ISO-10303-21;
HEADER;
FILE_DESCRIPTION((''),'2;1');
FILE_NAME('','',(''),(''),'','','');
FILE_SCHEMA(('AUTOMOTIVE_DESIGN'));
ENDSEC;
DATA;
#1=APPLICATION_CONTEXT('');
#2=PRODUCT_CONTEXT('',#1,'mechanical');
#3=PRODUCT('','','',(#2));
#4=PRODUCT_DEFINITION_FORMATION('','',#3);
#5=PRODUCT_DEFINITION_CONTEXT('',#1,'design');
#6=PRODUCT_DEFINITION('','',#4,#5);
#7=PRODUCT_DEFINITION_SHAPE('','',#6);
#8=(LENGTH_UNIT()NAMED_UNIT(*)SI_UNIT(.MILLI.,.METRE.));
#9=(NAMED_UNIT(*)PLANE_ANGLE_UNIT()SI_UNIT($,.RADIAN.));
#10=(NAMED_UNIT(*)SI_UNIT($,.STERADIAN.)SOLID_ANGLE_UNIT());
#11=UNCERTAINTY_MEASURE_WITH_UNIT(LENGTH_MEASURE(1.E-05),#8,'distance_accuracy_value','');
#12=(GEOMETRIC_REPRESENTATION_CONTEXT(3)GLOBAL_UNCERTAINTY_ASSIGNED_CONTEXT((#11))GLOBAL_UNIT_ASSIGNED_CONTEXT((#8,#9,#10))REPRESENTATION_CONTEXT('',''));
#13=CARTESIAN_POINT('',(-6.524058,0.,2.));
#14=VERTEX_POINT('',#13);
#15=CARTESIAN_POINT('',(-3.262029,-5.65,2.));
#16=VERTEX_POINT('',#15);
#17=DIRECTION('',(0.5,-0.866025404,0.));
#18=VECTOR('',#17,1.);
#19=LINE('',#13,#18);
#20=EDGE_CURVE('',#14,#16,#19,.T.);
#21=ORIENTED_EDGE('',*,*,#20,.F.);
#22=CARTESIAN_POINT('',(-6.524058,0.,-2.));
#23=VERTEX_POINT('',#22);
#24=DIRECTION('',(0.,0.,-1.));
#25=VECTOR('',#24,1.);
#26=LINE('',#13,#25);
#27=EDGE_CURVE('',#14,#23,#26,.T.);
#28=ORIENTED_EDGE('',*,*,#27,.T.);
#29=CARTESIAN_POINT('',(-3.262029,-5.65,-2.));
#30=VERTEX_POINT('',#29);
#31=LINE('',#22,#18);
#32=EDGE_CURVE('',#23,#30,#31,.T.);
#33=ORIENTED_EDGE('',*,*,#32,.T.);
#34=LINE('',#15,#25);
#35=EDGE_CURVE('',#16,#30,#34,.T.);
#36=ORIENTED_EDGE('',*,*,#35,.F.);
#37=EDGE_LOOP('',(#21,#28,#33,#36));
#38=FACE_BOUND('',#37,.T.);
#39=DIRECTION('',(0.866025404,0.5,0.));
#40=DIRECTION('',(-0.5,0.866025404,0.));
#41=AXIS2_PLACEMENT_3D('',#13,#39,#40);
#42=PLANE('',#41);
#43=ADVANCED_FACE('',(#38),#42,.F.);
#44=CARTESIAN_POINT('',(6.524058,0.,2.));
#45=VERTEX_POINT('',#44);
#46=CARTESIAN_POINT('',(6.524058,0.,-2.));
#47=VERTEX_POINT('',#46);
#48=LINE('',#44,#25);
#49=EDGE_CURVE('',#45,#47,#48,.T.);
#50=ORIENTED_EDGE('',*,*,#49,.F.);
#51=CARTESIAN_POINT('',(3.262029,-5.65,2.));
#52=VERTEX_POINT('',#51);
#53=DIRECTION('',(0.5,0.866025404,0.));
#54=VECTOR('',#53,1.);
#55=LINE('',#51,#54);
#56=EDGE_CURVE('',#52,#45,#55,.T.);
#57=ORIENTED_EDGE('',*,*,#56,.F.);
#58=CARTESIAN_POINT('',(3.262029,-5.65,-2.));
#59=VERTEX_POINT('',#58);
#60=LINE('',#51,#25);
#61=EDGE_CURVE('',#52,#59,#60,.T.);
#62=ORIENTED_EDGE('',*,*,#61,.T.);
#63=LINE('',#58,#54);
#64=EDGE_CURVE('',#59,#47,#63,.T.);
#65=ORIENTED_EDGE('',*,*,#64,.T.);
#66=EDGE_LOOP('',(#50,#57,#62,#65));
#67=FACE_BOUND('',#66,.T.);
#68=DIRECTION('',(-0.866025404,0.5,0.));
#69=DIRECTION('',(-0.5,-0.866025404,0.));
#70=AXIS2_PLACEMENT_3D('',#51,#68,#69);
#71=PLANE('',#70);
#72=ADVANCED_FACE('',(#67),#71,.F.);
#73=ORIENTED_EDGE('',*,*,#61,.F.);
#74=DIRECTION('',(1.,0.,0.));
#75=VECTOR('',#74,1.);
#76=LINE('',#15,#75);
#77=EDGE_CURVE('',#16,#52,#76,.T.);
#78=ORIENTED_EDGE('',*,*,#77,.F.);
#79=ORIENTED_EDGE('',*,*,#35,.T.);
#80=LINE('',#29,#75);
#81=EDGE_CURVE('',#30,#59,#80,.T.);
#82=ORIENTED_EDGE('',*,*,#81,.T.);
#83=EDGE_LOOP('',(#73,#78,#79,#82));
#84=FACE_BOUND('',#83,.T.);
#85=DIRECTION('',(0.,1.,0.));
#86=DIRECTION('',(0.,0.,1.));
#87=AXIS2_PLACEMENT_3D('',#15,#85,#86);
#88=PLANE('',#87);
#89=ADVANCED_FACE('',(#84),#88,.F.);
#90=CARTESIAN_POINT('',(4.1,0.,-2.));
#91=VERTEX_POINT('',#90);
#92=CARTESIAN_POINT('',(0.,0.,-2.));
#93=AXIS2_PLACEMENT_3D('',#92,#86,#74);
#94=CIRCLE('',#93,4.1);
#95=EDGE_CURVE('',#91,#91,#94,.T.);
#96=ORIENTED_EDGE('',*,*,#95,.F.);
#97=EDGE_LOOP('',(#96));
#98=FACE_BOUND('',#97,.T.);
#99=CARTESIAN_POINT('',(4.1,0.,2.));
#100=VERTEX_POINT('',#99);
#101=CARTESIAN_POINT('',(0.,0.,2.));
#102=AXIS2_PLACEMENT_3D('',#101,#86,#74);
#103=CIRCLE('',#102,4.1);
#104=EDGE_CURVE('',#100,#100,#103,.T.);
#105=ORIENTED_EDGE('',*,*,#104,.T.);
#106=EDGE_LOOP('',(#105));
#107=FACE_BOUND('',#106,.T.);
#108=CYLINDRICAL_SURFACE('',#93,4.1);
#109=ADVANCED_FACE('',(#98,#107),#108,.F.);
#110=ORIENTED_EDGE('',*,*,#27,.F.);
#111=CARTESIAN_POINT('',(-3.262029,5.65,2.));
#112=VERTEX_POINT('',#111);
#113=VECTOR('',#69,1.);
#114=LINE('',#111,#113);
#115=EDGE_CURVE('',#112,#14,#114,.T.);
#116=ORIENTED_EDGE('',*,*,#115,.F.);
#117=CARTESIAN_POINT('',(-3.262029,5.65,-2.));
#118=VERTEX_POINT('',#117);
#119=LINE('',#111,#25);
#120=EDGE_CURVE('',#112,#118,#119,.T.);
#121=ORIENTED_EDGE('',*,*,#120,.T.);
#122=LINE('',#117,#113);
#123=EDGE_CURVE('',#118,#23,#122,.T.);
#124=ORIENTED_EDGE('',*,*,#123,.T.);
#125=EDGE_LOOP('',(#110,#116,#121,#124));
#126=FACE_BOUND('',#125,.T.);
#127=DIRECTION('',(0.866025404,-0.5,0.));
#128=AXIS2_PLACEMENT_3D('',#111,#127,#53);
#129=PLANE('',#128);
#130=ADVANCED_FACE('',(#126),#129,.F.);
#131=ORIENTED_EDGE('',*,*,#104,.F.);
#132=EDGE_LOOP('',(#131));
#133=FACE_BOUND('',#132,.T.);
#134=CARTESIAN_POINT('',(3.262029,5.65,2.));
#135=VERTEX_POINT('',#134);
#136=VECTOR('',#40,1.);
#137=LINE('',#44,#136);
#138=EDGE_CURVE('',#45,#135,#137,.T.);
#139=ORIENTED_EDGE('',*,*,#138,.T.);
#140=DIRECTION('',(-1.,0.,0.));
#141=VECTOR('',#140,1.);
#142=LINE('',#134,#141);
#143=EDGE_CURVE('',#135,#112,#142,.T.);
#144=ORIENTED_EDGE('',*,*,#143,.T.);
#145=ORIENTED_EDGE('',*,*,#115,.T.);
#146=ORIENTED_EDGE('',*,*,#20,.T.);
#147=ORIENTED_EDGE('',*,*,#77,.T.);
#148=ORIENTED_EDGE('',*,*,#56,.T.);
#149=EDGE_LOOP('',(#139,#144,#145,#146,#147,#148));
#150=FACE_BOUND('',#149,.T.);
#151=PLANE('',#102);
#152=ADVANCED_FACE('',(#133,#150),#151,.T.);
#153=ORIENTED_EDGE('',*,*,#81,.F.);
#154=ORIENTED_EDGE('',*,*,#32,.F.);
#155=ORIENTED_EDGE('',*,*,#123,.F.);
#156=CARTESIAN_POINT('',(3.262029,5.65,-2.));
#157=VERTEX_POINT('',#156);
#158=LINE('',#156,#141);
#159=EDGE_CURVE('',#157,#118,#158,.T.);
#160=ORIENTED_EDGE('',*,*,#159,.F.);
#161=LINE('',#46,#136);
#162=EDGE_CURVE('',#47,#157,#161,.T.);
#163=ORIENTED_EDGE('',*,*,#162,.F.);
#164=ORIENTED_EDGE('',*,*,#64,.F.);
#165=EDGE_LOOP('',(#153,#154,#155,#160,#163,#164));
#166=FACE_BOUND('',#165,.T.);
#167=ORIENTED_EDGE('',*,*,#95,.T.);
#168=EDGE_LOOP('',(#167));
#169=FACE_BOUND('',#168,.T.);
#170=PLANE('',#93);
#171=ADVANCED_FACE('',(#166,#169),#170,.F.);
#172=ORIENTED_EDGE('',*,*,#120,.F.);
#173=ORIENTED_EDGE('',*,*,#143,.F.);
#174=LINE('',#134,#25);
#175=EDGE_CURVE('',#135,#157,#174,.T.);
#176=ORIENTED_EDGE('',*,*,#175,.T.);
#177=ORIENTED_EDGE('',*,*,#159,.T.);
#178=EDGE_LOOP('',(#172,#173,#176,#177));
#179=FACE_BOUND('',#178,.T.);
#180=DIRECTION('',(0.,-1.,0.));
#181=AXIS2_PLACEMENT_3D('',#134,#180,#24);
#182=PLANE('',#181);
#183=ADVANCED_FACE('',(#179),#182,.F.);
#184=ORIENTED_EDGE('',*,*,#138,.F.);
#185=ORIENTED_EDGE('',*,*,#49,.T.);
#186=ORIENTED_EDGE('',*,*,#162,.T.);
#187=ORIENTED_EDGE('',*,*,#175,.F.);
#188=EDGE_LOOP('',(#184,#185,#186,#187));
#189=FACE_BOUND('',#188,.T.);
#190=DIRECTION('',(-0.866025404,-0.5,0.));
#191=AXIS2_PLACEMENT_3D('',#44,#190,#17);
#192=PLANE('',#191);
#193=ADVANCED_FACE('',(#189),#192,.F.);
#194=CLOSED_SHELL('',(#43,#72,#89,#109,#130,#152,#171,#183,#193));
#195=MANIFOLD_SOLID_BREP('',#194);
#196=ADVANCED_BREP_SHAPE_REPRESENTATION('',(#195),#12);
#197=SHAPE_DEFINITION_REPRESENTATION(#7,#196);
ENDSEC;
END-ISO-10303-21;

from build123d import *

# Parameters (mm, degrees)
BOSS_EXTRUDE1_DEPTH     = 2
CUT_EXTRUDE1_DEPTH      = 9.859223066
CUT_EXTRUDE1_DEPTH_BACK = 9.859223066
SKETCH3_R               = 4.1


with BuildPart() as part:
    # Sketch1 → Boss-Extrude1 (new, symmetric)
    with BuildSketch(Plane.XY):
        Polygon((3.262029021, 5.65), (-3.262029021, 5.65), (-6.524058042, 0), (-3.262029021, -5.65), (3.262029021, -5.65), (6.524058042, 0), align=None)
    extrude(amount=BOSS_EXTRUDE1_DEPTH, both=True)

    # Sketch3 → Cut-Extrude1 (cut, two sides: drawn at the far end of the back side and taken through both)
    with BuildSketch(Plane.XY.offset(-CUT_EXTRUDE1_DEPTH_BACK)):
        Circle(SKETCH3_R)
    extrude(amount=CUT_EXTRUDE1_DEPTH + CUT_EXTRUDE1_DEPTH_BACK, mode=Mode.SUBTRACT)


solid = part.part
